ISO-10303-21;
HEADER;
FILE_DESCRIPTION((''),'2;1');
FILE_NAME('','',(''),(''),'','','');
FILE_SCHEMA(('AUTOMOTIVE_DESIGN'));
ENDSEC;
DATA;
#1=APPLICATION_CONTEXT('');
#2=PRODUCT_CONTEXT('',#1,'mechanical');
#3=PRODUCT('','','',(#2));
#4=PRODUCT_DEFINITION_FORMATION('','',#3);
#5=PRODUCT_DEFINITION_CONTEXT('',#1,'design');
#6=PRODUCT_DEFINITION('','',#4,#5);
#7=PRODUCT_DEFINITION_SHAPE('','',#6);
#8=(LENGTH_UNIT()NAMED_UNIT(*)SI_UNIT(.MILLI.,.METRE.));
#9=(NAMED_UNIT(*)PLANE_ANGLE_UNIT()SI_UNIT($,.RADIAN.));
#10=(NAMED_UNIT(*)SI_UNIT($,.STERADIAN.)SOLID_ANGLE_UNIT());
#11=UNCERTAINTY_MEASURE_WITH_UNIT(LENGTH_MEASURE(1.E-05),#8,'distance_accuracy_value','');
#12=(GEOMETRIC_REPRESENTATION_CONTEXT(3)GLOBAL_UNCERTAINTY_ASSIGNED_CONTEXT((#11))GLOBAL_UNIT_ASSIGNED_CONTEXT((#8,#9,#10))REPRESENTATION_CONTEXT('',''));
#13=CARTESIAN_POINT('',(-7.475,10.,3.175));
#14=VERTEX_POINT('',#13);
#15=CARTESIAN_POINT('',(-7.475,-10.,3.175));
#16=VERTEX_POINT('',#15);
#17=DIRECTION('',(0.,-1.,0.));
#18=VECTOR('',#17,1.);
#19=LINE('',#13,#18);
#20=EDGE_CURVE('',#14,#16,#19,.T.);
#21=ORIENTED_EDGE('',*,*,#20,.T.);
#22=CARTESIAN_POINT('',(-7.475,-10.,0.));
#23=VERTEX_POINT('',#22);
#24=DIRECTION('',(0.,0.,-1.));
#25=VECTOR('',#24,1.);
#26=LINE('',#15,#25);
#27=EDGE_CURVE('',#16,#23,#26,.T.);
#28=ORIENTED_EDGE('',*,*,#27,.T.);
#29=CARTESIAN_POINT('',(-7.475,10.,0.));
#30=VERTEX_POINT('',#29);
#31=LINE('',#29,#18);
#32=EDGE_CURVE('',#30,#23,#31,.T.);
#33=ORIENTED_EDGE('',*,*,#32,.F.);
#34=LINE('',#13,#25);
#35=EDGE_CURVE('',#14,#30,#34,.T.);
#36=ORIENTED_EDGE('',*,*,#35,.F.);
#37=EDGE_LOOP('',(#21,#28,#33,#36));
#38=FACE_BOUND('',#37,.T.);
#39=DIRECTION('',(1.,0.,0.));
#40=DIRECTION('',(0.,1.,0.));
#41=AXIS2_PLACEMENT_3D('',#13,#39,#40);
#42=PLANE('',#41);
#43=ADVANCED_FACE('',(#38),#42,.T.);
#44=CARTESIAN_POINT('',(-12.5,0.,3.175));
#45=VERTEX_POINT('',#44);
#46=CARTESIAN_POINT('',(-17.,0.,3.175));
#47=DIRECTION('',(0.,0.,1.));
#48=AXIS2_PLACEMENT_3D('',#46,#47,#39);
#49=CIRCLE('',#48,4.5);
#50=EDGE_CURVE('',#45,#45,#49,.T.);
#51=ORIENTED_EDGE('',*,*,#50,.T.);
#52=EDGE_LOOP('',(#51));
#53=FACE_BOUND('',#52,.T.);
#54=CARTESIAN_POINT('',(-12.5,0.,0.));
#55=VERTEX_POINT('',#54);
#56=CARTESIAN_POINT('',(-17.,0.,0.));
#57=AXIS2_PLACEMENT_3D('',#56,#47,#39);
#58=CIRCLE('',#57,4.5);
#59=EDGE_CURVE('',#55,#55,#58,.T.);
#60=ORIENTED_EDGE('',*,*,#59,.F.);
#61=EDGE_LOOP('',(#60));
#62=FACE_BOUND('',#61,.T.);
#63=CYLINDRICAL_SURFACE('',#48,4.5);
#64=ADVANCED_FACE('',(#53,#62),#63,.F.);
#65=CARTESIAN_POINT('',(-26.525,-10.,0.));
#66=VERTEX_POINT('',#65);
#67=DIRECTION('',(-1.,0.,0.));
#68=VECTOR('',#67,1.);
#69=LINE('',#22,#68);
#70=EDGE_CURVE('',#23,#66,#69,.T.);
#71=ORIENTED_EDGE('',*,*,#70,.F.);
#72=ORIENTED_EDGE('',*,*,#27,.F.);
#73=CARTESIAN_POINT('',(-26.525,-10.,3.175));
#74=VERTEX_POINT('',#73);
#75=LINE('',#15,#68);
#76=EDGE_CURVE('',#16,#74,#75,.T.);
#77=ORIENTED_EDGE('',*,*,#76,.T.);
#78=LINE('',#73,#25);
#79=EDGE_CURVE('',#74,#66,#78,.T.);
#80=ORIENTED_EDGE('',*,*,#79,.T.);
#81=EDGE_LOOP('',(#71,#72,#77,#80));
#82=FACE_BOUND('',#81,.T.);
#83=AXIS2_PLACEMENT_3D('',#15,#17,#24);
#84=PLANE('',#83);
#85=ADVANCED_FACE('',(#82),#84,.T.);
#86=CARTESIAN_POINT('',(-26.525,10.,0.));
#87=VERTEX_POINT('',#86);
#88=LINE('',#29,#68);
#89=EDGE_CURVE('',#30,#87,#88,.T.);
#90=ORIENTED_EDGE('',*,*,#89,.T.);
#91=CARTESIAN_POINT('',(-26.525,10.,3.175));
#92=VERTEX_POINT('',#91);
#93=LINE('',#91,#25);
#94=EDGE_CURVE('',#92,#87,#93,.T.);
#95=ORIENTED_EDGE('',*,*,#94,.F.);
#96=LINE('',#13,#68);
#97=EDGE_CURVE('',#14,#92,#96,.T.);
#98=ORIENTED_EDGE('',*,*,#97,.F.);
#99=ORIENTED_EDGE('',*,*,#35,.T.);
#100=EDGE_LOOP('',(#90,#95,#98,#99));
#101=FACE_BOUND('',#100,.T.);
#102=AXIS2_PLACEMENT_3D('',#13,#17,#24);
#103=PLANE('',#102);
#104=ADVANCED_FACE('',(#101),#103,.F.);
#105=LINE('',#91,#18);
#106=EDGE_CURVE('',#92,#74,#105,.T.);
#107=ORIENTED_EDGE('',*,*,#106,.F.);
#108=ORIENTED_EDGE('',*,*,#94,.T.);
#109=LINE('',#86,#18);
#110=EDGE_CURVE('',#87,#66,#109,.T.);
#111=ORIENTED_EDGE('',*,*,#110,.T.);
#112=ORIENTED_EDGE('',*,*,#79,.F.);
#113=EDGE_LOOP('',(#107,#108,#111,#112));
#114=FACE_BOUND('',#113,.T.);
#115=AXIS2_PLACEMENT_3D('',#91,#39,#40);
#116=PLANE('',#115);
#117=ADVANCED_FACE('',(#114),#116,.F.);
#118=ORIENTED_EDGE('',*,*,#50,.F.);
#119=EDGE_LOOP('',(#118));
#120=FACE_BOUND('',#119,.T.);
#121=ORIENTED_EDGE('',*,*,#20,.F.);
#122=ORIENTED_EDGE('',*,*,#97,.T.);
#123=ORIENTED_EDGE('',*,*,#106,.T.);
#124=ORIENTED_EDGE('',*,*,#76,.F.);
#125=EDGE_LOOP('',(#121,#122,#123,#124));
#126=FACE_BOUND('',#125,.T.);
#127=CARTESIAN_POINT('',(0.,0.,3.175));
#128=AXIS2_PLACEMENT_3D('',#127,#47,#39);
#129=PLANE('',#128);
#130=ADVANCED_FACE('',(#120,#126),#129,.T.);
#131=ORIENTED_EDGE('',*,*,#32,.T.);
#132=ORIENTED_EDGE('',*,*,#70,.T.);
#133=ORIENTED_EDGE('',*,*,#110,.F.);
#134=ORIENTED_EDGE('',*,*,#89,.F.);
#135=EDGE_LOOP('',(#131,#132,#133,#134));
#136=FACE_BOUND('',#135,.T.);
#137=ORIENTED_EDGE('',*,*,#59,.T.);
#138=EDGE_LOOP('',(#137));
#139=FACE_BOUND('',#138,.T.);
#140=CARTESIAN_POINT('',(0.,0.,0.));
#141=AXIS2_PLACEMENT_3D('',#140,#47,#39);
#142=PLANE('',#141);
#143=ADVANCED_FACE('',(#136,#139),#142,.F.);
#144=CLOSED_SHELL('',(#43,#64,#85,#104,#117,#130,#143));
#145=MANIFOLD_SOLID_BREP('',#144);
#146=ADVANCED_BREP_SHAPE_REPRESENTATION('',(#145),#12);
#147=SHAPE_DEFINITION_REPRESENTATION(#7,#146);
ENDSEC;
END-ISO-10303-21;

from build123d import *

# Parameters (mm, degrees)
SKETCH1_W                                = 19.05
SKETCH1_H                                = 20
BOSS_EXTRUDE1_DEPTH                      = 3.175
CELL_MODULE_TERMINAL_M8_CLEARANCE_HOLE_D = 9


with BuildPart() as part:
    # Sketch1 → Boss-Extrude1 (new body)
    with BuildSketch(Plane.XY):
        with Locations((-17, 0)):
            Rectangle(SKETCH1_W, SKETCH1_H)
    extrude(amount=BOSS_EXTRUDE1_DEPTH)

    # Cell Module Terminal M8 Clearance Hole (through all)
    with Locations(Plane.XY.offset(3.175)):
        with Locations((-17, 0)):
            Hole(CELL_MODULE_TERMINAL_M8_CLEARANCE_HOLE_D / 2)


solid = part.part
